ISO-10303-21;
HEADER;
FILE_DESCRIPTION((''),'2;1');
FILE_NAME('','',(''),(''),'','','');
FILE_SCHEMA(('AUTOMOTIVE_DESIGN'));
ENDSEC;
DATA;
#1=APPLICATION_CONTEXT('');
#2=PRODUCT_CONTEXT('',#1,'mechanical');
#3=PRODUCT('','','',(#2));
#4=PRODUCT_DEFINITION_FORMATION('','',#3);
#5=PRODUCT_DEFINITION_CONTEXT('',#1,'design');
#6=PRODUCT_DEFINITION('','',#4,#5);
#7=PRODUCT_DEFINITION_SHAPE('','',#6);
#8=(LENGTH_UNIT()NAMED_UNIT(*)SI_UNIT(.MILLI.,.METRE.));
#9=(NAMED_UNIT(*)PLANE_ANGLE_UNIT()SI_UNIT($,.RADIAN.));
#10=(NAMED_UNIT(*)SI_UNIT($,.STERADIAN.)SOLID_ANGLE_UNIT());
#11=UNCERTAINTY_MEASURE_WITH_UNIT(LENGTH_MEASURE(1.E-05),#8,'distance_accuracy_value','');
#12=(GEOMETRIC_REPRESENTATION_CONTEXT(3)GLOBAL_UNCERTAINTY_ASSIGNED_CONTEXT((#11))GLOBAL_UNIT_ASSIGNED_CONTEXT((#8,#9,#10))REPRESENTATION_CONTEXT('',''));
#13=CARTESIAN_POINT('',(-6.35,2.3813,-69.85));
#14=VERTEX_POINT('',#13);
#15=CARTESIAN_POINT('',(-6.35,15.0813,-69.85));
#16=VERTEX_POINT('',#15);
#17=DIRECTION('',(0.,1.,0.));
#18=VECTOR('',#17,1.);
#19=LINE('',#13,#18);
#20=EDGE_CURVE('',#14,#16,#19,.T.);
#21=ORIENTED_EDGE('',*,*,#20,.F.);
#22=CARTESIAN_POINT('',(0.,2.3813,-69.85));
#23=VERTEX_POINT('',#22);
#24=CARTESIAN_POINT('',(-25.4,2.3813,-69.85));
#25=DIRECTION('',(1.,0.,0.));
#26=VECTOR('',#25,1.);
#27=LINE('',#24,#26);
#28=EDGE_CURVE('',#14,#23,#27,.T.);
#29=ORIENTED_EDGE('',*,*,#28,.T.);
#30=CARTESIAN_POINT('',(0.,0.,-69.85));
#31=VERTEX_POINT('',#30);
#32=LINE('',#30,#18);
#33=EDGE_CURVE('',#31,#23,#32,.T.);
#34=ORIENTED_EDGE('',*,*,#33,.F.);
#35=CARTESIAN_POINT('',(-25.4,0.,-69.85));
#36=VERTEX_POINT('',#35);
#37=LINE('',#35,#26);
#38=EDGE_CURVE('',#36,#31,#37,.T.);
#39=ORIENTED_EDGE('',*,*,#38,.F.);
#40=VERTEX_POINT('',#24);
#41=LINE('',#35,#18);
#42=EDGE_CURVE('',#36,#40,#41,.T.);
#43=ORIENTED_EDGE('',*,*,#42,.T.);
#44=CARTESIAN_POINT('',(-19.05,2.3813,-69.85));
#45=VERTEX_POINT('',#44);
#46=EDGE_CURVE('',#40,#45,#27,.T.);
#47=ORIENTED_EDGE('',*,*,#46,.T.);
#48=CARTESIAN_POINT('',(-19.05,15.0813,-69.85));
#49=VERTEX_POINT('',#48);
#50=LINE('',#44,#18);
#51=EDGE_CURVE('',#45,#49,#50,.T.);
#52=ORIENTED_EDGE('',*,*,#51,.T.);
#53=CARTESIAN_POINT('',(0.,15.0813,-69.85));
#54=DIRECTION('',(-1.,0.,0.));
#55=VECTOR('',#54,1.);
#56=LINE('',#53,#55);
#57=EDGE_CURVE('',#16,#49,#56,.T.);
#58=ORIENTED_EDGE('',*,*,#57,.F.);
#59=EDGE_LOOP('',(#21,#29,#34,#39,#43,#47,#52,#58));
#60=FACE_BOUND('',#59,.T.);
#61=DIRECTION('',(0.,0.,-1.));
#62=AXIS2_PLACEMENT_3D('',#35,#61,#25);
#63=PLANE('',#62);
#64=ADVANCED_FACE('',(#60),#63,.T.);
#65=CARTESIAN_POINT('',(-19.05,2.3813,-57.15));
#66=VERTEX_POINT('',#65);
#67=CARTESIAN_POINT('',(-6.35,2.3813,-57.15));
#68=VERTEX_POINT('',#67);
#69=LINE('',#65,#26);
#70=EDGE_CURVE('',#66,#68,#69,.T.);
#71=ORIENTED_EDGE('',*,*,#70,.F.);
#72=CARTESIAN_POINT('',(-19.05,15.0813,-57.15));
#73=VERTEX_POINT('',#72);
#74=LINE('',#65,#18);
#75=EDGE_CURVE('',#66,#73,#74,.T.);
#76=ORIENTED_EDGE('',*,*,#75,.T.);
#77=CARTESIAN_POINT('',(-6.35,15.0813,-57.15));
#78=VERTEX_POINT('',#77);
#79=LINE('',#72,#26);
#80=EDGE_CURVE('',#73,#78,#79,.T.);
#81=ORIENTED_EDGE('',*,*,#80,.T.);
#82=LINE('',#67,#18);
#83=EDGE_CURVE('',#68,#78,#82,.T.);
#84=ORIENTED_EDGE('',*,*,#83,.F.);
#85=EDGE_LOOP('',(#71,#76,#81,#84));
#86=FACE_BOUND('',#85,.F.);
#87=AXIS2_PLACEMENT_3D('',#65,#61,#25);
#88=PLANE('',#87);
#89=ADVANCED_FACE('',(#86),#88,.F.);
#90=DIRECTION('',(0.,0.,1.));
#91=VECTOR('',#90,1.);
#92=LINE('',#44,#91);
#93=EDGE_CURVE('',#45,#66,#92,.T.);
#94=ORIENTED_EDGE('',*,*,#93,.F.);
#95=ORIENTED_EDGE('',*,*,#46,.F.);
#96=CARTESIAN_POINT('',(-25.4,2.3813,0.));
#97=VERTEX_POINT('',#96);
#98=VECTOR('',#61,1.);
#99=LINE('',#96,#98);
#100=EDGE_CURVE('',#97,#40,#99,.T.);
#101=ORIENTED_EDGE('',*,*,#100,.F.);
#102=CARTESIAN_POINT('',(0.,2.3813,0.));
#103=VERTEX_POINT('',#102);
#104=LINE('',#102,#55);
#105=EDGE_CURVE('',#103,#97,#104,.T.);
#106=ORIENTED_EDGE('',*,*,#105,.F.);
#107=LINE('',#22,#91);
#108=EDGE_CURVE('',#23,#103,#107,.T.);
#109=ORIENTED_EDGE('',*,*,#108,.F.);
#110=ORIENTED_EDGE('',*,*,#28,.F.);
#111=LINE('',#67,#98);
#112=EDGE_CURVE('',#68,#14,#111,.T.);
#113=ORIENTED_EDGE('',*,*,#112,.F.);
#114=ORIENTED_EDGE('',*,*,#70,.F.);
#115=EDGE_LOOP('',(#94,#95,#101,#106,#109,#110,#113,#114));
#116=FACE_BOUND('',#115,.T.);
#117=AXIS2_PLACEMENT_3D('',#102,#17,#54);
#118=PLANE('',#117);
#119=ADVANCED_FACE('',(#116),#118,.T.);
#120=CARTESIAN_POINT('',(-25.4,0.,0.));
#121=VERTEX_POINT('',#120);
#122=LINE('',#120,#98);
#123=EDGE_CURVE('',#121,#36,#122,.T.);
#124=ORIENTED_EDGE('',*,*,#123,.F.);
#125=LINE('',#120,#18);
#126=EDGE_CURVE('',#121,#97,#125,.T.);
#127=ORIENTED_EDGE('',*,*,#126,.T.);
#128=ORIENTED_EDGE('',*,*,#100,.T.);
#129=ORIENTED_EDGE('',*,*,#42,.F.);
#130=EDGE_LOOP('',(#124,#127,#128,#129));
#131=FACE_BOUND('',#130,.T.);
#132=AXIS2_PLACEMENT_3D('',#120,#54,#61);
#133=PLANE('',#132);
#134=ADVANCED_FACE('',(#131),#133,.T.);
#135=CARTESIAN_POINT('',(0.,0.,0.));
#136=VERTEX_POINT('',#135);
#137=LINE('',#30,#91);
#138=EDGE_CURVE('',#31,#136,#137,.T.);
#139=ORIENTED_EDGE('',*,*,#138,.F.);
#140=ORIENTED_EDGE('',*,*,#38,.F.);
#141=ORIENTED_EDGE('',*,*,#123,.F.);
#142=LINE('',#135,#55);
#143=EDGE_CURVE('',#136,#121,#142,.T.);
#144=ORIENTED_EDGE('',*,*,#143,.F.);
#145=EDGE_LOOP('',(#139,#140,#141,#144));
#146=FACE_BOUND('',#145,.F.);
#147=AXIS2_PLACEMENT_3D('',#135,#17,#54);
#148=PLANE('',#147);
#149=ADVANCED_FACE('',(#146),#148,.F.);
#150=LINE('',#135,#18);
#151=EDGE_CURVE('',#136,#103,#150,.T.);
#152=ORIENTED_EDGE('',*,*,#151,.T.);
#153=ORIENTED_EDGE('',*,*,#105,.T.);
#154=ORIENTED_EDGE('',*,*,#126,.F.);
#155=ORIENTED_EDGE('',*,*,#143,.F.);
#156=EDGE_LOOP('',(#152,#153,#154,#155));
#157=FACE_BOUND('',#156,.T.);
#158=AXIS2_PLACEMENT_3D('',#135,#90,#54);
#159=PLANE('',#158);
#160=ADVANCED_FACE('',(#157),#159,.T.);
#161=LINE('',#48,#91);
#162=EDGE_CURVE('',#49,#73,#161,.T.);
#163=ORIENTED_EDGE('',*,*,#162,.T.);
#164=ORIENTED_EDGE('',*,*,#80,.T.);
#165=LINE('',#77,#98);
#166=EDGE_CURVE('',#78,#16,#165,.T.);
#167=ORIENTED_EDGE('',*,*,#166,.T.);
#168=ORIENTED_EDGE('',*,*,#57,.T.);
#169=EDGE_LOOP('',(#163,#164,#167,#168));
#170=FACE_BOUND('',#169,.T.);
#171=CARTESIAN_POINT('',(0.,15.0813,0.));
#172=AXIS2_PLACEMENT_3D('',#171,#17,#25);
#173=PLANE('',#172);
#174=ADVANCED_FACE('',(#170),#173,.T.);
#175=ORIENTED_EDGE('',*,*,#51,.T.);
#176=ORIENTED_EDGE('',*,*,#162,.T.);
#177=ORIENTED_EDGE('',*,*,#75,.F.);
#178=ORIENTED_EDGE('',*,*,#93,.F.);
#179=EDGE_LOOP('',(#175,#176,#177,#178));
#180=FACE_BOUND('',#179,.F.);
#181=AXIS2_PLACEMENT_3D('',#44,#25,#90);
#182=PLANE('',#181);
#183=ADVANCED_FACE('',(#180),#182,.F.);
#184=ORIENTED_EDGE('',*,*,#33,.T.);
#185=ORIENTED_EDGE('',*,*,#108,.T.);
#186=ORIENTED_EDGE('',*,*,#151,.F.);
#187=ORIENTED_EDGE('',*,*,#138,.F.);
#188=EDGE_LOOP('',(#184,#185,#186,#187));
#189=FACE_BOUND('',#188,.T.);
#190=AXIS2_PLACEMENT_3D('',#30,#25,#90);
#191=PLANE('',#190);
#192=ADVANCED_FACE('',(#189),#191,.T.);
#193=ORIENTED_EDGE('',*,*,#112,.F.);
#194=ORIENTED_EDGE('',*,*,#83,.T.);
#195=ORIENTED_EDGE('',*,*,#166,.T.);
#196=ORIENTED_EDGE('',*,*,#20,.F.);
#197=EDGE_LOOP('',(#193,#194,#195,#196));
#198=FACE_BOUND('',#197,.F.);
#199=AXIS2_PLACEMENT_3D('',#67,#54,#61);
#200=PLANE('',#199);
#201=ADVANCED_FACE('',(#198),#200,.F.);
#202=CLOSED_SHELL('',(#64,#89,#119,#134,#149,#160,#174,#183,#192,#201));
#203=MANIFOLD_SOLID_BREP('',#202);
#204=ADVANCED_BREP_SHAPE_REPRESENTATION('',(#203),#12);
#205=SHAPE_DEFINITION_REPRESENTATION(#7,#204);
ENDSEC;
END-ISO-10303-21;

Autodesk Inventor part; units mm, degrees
ref_plane "YZ Plane" through (0, 0, 0) normal (1, 0, 0) x (0, 1, 0)
ref_plane "XZ Plane" through (0, 0, 0) normal (0, 1, 0) x (-1, 0, 0)
ref_plane "XY Plane" through (0, 0, 0) normal (0, 0, 1) x (1, 0, 0)
sketch "Sketch1" plane through (0, 0, 0) normal (0, 1, 0) x (-1, 0, 0)
  line L0 (0, 0) -> (25.4, 0)
  line L1 (25.4, 0) -> (25.4, -69.85)
  line L2 (25.4, -69.85) -> (0, -69.85)
  line L3 (0, -69.85) -> (0, 0)
  dimension "d0" = 25.4
  dimension "d1" = 69.85
extrude "Extrusion1" add sketch "Sketch1" along normal blind 2.3813
sketch "Sketch2" plane through (0, 2.3813, 0) normal (0, 1, 0) x (1, 0, 0)
  line L0 (0, 69.85) -> (-25.4, 69.85) projected
  line L1 (0, 69.85) -> (-6.35, 69.85)
  line L2 (-6.35, 69.85) -> (-19.05, 69.85)
  line L3 (-19.05, 69.85) -> (-19.05, 57.15)
  line L4 (-19.05, 57.15) -> (-6.35, 57.15)
  line L5 (-6.35, 57.15) -> (-6.35, 69.85)
  point P0 (0, 0)
  dimension "d4" = 6.35
  dimension "d5" = 12.7
  dimension "d6" = 12.7
extrude "Extrusion2" add sketch "Sketch2" along normal blind 12.7
properties part number "WaterSensor"
